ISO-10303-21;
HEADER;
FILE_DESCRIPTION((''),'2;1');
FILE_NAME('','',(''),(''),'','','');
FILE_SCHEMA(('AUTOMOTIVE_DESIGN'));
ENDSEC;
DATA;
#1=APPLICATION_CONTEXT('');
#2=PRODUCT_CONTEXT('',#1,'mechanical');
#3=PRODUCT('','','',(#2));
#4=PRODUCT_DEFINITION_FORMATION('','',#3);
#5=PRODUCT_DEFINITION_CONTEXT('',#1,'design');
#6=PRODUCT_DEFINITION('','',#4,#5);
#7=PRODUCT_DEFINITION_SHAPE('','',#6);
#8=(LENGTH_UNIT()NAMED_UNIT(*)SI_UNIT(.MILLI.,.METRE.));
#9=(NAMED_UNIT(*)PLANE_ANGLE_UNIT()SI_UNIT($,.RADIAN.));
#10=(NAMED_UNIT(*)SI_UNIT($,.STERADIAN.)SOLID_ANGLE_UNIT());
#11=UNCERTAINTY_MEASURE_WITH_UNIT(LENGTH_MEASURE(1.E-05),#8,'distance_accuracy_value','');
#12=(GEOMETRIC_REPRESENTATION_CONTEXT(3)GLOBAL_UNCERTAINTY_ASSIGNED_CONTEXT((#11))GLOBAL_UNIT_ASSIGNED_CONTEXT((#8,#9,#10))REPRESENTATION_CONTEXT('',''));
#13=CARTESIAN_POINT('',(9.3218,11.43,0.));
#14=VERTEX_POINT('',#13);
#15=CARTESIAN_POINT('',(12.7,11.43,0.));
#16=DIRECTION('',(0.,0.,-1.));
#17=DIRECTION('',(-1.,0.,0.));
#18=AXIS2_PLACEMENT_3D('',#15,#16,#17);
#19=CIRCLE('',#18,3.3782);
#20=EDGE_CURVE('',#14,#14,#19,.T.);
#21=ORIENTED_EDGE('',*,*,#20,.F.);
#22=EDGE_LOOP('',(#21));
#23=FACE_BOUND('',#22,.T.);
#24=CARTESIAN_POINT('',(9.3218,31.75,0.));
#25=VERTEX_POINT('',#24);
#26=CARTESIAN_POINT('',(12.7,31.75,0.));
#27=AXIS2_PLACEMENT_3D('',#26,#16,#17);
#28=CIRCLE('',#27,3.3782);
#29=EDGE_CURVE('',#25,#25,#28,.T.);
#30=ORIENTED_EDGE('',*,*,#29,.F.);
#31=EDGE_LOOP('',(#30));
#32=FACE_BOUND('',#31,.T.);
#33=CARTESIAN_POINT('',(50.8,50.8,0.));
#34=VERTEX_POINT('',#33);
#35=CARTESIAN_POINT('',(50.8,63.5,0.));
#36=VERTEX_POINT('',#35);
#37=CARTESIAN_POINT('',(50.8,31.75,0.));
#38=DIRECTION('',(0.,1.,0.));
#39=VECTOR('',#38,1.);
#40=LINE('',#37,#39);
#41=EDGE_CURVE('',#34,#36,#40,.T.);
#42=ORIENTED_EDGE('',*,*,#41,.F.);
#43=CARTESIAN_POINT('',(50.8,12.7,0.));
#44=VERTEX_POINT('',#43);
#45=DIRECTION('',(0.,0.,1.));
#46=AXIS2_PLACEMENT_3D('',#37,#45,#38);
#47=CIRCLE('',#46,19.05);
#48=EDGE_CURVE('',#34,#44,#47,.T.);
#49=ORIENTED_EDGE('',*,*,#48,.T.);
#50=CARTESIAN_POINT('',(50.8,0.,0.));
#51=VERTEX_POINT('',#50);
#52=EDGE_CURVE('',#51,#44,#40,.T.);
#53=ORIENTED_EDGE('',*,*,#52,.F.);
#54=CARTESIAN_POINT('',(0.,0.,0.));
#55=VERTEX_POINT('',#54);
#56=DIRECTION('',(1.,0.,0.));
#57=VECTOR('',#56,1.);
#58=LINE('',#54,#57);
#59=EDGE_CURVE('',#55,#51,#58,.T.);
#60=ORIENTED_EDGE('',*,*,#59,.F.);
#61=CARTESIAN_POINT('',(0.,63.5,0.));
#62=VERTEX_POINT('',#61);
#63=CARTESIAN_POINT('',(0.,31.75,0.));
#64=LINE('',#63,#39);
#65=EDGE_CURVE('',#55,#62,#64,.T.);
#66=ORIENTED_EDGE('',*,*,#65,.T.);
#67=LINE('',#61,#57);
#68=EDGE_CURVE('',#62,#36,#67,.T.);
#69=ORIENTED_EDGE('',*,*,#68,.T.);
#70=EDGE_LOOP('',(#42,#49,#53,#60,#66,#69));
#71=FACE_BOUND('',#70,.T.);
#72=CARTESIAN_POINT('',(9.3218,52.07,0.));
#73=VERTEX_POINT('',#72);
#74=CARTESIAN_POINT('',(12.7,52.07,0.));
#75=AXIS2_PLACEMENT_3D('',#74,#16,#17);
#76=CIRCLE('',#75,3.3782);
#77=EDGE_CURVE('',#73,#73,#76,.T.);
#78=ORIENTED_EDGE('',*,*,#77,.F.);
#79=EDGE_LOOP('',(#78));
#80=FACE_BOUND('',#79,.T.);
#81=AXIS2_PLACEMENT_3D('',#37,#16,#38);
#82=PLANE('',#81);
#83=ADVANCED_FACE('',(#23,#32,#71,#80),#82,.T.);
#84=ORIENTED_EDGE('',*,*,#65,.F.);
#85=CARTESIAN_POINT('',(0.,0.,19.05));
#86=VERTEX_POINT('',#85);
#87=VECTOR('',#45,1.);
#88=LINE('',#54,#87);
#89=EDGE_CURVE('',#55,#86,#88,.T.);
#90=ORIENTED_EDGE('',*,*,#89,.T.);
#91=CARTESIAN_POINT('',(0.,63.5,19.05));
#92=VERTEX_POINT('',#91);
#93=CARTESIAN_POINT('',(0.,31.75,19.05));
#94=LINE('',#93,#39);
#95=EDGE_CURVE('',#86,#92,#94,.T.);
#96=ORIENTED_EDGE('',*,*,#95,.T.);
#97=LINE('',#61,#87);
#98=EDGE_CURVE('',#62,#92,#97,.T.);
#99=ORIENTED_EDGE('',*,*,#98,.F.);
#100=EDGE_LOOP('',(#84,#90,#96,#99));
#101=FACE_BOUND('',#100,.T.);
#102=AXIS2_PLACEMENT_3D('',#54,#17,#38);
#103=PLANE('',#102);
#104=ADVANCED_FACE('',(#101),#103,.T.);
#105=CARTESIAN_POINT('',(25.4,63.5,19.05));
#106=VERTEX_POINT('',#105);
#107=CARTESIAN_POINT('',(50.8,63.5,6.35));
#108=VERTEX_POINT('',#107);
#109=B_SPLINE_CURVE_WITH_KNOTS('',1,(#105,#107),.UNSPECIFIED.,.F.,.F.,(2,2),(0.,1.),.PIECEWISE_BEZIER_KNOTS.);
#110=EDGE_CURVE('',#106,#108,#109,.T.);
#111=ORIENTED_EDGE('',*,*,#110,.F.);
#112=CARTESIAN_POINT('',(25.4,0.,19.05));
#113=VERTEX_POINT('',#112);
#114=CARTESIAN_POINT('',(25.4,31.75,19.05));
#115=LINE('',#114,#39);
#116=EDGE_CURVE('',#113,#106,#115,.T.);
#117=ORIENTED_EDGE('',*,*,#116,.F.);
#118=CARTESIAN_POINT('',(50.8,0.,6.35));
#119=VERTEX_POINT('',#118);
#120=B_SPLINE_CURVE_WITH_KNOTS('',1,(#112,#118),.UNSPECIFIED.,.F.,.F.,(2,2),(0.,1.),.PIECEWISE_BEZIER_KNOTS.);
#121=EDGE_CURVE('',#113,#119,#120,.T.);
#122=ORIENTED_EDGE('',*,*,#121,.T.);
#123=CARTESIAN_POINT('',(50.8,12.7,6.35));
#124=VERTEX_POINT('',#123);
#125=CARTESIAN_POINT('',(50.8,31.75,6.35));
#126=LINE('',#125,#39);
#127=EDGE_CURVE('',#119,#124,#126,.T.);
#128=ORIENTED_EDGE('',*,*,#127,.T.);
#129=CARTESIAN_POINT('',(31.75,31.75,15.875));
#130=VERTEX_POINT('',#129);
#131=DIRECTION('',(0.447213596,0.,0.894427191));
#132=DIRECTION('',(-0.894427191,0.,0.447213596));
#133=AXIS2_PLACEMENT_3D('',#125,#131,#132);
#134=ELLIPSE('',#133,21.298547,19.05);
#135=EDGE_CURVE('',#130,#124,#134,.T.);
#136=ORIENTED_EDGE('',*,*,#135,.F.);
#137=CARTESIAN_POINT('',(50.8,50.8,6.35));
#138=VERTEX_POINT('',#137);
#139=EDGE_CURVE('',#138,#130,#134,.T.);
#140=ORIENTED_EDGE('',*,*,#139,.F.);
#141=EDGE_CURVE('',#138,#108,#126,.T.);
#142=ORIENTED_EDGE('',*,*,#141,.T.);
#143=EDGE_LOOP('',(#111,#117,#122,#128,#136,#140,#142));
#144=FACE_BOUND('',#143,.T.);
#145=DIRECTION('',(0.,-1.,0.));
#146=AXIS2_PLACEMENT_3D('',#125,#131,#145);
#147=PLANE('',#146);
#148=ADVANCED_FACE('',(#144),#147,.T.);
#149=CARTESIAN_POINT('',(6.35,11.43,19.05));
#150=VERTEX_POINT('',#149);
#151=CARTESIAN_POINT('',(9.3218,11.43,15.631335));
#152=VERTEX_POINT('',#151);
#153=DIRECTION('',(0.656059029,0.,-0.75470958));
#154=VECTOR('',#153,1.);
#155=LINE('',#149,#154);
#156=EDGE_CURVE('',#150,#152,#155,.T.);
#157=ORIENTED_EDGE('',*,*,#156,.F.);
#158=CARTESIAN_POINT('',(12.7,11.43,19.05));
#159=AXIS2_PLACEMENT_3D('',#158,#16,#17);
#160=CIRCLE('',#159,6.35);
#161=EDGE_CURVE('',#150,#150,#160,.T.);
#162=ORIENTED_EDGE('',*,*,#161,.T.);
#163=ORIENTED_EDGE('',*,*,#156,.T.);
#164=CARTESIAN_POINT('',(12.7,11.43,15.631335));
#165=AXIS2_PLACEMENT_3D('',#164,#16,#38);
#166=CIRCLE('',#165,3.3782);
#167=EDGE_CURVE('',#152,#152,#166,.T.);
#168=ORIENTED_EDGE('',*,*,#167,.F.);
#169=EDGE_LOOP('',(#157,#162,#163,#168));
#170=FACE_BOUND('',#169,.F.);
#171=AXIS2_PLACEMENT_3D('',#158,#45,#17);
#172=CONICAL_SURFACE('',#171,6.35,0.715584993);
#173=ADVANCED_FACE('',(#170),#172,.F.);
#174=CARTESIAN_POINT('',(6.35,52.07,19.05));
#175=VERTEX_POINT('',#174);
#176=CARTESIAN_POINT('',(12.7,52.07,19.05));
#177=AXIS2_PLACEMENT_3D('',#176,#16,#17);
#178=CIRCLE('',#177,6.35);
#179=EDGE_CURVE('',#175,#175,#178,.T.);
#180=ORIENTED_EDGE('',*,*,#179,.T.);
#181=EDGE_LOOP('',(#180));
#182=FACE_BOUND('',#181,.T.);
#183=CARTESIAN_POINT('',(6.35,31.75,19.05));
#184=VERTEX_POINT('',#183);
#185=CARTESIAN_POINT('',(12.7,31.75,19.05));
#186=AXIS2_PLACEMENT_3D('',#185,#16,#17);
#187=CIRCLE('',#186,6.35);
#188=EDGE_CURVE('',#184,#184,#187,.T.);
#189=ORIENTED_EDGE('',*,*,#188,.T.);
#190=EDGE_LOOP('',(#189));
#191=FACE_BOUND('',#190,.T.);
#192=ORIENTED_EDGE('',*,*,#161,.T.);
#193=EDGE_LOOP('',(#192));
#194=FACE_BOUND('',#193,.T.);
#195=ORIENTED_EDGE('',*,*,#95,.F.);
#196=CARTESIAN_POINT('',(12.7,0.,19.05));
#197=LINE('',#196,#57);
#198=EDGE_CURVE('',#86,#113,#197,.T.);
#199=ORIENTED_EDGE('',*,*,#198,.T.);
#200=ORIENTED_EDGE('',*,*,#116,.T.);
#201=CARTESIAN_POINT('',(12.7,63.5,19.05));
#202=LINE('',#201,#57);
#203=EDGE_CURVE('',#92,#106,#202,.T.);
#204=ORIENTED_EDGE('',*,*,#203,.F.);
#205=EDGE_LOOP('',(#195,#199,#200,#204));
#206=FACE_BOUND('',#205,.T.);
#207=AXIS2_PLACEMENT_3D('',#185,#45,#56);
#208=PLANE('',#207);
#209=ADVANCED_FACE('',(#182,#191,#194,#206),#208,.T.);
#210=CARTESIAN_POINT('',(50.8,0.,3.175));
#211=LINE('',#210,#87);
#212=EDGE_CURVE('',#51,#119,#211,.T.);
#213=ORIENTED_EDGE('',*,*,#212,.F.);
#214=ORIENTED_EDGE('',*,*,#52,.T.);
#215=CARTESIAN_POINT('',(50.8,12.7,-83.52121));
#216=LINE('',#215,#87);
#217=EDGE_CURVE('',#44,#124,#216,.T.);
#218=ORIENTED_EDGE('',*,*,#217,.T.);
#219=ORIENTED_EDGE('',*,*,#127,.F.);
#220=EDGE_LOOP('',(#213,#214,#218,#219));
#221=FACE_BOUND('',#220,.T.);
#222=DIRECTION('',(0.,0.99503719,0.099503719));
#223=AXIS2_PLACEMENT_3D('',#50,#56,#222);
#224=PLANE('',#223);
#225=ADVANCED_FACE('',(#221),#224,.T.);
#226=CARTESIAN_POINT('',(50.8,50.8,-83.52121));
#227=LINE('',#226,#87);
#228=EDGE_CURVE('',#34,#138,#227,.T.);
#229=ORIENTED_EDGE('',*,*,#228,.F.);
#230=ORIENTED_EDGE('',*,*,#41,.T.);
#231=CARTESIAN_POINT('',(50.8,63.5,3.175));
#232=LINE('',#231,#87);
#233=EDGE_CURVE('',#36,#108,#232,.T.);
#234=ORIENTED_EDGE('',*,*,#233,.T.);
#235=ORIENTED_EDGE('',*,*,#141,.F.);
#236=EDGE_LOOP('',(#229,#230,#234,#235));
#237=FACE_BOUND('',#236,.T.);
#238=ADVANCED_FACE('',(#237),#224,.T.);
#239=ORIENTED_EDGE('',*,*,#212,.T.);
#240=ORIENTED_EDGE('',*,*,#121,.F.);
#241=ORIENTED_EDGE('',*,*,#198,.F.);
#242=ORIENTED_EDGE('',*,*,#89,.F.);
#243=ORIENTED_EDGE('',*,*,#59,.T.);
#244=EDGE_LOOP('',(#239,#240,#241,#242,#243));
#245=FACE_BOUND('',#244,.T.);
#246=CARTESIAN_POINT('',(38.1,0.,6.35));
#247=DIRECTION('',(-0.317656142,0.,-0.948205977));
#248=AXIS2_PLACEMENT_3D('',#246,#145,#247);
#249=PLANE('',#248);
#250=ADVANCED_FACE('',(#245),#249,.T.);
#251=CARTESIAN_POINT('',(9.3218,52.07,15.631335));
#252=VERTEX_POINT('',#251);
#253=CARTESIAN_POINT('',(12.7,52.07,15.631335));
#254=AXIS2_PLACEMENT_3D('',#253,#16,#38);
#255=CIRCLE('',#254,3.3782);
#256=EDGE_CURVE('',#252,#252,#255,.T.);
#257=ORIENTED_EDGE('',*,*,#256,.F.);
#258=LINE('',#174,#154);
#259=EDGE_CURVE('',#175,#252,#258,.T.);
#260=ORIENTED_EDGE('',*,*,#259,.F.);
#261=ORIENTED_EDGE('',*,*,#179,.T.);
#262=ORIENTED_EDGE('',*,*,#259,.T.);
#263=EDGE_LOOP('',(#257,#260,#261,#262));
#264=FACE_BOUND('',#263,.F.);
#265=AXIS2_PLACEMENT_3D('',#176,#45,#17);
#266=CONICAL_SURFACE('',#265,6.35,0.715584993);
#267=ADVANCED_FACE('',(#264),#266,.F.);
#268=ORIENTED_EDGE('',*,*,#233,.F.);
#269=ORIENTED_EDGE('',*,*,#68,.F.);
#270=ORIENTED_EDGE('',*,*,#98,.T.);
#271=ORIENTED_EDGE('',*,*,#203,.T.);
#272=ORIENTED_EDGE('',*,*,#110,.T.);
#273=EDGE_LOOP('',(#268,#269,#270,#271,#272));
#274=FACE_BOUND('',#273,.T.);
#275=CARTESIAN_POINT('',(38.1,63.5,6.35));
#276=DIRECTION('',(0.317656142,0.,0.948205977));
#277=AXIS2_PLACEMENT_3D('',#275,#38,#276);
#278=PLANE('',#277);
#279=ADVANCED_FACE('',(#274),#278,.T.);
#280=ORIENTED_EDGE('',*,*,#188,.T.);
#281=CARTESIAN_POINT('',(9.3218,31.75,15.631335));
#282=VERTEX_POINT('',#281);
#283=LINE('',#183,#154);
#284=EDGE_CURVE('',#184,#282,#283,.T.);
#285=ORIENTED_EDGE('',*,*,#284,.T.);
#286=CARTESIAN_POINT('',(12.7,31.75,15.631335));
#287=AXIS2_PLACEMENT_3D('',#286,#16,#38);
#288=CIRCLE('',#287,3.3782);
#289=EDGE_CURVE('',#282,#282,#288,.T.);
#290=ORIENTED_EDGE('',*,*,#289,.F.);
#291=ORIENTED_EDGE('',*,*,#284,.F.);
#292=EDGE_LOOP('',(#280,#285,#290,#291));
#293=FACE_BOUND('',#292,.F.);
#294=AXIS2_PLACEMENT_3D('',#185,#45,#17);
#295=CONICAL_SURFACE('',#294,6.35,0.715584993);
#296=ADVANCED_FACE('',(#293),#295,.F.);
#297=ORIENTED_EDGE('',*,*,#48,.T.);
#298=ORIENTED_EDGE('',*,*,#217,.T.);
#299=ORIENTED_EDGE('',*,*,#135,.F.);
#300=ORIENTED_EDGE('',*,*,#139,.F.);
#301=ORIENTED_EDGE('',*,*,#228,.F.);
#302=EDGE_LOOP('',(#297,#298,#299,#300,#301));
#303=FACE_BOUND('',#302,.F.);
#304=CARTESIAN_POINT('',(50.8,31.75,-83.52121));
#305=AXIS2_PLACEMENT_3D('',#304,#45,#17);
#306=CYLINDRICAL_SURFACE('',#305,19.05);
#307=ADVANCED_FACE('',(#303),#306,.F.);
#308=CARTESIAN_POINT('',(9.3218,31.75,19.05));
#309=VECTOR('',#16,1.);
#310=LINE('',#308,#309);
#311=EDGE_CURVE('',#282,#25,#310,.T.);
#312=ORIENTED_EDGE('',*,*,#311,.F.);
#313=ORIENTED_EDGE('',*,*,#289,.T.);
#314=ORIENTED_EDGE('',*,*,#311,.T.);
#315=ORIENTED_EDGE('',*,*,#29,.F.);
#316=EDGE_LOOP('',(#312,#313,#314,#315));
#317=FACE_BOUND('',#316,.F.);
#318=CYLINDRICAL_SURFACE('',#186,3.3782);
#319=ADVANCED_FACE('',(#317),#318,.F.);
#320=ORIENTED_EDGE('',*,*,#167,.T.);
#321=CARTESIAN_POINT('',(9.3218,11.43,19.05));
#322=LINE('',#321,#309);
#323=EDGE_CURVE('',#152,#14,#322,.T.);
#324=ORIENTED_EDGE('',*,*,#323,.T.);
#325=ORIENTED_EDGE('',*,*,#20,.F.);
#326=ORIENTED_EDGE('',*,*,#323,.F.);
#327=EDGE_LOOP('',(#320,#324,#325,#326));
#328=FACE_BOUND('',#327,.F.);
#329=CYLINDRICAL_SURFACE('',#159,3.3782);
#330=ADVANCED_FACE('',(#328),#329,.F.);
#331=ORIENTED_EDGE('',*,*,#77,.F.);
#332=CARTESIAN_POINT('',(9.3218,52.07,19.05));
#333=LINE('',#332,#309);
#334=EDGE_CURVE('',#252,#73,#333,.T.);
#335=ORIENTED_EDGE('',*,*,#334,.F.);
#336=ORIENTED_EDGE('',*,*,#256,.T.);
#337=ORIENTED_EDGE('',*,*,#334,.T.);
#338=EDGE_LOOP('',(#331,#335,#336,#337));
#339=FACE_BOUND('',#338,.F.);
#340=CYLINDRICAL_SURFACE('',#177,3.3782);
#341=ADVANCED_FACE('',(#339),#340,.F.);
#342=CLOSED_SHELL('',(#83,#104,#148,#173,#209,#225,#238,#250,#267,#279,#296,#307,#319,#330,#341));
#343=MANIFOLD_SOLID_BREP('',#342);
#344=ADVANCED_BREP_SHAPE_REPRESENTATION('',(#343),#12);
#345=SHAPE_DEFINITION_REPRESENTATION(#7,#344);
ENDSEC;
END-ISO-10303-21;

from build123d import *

# Parameters (mm, degrees)
F0_W           = 25.4
F0_H           = 63.5
F1_DEPTH       = 19.05
F1_FACE_W      = 63.5
F1_FACE_H      = 19.05
F3_W           = 63.5
F3_H           = 6.35
F5_D           = 38.1
F8_D           = 6.7564
F8_CSINK_D     = 12.7
F8_CSINK_ANGLE = 82


with BuildPart() as f1:
    # F0 (on Top) → F1 (new body)
    with BuildSketch(Plane.XY):
        with Locations((12.7, 31.75)):
            Rectangle(F0_W, F0_H)
    extrude(amount=F1_DEPTH)

    # F1_face (on face) → F4 section 0
    with BuildSketch(Plane(origin=(25.4, 31.75, 9.525), x_dir=(0, 1, 0), z_dir=(1, 0, 0))):
        Rectangle(F1_FACE_W, F1_FACE_H)
    # F3 (on offset) → F4 section 1
    with BuildSketch(Plane.YZ.offset(50.8)):
        with Locations((31.75, 3.175)):
            Rectangle(F3_W, F3_H)
    loft()

    # F5 (through all)
    with Locations(Plane(origin=(0, 0, 0), x_dir=(1, 0, 0), z_dir=(0, 0, -1))):
        with Locations((50.8, -31.75)):
            Hole(F5_D / 2)

    # F8 (through all)
    with Locations(Plane.XY.offset(19.05)):
        with Locations((12.7, 52.07), (12.7, 31.75), (12.7, 11.43)):
            CounterSinkHole(F8_D / 2, F8_CSINK_D / 2, counter_sink_angle=F8_CSINK_ANGLE)


solid = f1.part
